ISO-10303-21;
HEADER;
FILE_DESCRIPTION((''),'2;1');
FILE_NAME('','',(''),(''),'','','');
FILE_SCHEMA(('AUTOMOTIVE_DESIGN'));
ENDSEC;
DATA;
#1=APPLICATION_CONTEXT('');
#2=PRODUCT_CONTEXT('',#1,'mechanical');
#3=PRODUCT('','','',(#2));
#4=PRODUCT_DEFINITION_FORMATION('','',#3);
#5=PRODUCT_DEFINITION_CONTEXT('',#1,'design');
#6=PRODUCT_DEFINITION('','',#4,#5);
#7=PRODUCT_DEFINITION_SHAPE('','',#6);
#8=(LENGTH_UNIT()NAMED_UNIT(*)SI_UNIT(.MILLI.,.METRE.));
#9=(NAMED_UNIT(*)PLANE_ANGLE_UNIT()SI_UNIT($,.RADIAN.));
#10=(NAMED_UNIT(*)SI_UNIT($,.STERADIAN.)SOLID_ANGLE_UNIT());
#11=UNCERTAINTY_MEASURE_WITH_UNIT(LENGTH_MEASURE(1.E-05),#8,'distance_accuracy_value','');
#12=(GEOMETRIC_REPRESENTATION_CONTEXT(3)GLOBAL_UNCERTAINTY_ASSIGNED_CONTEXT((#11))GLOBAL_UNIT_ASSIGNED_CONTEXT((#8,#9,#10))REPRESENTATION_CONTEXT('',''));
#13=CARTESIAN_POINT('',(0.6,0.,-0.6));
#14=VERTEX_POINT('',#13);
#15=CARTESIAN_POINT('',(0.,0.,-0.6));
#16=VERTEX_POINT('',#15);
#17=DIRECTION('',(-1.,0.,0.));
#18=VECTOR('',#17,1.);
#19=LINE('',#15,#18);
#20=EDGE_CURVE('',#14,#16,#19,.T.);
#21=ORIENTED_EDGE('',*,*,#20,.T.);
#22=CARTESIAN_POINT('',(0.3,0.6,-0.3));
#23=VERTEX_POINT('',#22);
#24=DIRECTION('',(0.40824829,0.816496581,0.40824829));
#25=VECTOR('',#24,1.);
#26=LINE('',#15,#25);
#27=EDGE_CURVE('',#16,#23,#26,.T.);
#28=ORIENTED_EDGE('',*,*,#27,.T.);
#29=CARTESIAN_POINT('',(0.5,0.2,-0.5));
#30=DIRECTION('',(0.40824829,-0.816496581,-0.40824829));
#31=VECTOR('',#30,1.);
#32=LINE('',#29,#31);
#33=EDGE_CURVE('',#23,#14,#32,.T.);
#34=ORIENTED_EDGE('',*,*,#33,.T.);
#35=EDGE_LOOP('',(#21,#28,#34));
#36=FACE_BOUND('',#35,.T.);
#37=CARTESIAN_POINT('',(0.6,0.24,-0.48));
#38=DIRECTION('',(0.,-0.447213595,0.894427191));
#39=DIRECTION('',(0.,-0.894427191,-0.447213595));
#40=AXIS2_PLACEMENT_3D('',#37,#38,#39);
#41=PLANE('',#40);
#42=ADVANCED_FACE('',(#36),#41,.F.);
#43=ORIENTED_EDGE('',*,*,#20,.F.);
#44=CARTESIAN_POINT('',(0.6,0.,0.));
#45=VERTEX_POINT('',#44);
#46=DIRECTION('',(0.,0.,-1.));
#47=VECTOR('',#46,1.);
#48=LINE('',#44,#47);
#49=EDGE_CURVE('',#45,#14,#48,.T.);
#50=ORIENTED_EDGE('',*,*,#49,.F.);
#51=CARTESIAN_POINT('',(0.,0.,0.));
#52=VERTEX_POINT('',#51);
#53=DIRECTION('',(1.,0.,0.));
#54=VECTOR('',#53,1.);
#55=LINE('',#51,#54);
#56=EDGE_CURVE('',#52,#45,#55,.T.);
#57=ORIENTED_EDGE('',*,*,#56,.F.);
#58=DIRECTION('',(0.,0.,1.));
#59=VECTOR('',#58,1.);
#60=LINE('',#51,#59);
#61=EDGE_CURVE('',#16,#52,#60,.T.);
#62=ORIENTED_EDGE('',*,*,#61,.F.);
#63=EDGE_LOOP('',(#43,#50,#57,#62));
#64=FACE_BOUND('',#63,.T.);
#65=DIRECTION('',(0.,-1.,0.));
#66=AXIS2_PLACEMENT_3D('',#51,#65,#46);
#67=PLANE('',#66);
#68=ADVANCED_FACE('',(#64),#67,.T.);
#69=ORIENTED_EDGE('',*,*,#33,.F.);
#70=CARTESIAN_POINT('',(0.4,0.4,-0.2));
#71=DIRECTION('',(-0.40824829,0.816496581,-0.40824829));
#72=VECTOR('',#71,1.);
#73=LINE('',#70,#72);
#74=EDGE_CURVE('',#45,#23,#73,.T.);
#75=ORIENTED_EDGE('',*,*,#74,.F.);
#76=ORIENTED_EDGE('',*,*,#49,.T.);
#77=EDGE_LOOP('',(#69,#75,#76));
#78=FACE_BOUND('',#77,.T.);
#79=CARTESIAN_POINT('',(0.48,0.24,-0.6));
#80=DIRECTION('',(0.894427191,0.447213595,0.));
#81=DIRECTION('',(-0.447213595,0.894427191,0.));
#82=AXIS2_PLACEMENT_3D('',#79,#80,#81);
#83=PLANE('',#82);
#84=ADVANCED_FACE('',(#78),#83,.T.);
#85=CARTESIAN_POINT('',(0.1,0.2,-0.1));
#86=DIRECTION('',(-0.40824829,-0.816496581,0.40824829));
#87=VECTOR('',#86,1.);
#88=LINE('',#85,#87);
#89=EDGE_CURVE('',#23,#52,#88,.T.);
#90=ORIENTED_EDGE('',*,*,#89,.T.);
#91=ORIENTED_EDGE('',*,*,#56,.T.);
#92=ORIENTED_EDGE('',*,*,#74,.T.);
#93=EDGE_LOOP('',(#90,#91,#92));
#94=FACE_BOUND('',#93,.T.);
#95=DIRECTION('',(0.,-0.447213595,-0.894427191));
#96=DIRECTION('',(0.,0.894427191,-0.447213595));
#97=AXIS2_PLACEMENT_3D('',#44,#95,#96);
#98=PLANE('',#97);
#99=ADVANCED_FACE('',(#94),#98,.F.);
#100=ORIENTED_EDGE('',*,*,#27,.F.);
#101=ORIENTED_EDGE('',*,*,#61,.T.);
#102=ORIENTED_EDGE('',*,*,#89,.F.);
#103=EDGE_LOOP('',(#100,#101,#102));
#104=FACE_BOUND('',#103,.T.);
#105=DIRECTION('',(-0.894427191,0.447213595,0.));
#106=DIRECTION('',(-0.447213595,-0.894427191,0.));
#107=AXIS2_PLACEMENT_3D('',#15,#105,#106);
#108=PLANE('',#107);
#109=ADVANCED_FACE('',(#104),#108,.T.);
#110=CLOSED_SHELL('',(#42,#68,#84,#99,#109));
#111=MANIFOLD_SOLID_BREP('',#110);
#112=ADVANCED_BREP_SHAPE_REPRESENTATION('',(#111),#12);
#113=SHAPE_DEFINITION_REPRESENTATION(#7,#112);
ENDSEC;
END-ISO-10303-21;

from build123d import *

# Parameters (mm, degrees)
SKETCH1_W           = 0.6
SKETCH1_H           = 0.6
BOSS_EXTRUDE1_DEPTH = 0.6
CUT_EXTRUDE1_DEPTH  = 0.6
CUT_EXTRUDE4_DEPTH  = 0.6


with BuildPart() as part:
    # Sketch1 → Boss-Extrude1 (new body)
    with BuildSketch(Plane(origin=(0, 0, 0), x_dir=(1, 0, 0), z_dir=(0, 1, 0))):
        with Locations((0.3, 0.3)):
            Rectangle(SKETCH1_W, SKETCH1_H)
    extrude(amount=BOSS_EXTRUDE1_DEPTH)

    # Sketch2 → Cut-Extrude1 (cut)
    with BuildSketch(Plane.XY):
        Polygon((0, 0.6), (0.3, 0.6), (0, 0), align=None)
        Polygon((0.3, 0.6), (0.6, 0.6), (0.6, 0), align=None)
    extrude(amount=-CUT_EXTRUDE1_DEPTH, mode=Mode.SUBTRACT)

    # Sketch3 → Cut-Extrude4 (cut)
    with BuildSketch(Plane(origin=(0, 0, 0), x_dir=(0, 0, -1), z_dir=(1, 0, 0))):
        Polygon((0.6, 0.6), (0.6, 0), (0.3, 0.6), align=None)
        Polygon((0, 0.6), (0.3, 0.6), (0, 0), align=None)
    extrude(amount=CUT_EXTRUDE4_DEPTH, mode=Mode.SUBTRACT)


solid = part.part
